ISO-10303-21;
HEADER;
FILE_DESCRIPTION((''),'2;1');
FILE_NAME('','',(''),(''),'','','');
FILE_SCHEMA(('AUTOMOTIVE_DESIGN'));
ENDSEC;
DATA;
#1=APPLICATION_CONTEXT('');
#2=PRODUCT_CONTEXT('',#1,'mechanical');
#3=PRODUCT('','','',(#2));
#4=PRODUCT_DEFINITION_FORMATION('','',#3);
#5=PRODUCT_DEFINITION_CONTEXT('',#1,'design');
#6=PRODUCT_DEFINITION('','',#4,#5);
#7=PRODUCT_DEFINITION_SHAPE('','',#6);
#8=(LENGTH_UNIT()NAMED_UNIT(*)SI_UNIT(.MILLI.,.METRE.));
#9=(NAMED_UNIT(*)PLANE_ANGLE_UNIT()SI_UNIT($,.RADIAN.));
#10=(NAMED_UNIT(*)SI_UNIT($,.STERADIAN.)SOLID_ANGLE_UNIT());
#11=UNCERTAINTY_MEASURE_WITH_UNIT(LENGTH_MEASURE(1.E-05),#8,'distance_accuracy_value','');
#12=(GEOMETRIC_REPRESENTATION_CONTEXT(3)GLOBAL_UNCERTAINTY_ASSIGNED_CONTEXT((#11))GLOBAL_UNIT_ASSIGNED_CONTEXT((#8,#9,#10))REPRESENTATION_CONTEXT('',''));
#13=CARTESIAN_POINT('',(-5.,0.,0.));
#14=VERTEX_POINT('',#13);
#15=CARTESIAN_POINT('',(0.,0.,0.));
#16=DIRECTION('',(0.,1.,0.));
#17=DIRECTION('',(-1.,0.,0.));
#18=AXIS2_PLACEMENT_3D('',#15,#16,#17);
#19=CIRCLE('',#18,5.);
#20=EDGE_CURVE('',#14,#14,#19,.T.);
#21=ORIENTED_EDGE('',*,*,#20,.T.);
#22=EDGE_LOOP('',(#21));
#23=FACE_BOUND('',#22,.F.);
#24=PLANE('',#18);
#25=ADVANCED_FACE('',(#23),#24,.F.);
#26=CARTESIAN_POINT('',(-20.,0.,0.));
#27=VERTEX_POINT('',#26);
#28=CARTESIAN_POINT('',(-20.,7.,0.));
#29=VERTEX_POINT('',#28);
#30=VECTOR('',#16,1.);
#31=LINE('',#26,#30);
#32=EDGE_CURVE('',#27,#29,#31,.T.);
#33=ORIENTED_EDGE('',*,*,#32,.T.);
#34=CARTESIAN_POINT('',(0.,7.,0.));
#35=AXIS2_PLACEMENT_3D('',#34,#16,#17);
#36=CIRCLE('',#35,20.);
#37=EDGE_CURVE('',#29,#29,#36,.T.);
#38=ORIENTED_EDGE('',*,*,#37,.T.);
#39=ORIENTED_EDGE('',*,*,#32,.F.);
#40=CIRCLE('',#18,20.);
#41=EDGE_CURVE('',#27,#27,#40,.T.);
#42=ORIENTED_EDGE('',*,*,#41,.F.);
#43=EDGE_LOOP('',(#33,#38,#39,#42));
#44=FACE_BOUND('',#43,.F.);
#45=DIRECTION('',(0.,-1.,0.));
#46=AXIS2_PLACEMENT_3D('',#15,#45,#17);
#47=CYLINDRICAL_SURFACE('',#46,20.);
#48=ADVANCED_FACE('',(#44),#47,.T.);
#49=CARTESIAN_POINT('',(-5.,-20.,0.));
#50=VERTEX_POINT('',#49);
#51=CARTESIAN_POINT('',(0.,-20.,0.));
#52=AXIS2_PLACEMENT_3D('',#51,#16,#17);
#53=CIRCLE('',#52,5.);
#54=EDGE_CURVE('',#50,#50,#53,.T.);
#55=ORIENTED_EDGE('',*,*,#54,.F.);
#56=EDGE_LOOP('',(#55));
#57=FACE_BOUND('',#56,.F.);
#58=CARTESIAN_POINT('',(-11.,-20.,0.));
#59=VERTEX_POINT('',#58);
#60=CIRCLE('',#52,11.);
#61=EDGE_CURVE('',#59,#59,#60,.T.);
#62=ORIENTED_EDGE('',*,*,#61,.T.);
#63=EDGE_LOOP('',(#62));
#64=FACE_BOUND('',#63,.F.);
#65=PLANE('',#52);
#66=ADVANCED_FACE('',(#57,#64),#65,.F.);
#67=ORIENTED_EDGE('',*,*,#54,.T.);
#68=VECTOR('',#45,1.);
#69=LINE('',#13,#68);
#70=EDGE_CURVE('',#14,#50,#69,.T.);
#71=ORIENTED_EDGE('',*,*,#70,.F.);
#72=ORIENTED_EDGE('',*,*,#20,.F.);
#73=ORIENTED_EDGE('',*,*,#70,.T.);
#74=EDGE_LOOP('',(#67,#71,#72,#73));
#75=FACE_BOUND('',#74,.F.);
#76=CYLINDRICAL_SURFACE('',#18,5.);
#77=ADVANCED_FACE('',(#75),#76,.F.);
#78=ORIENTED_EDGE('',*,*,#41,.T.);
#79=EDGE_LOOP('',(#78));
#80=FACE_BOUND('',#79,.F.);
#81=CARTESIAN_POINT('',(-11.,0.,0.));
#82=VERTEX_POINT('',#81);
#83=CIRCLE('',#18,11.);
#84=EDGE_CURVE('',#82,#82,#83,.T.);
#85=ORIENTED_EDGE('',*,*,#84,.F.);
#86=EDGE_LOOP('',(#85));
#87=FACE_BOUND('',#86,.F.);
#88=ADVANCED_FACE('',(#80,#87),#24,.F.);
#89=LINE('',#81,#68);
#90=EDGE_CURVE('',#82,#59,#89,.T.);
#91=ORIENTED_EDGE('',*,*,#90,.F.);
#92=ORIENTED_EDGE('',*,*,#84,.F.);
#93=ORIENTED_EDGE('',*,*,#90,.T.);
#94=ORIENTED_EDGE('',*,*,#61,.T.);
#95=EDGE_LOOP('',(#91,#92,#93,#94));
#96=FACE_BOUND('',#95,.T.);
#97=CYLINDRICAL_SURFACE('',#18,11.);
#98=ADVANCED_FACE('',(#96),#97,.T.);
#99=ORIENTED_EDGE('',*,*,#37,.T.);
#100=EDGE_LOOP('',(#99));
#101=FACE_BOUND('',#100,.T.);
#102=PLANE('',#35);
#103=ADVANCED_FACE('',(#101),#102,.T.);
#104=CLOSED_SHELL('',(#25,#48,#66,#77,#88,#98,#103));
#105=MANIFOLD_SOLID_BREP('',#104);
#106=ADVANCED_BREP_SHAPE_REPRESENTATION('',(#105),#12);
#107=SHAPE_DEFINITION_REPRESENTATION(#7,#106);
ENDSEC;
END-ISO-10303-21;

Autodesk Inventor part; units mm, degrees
ref_plane "YZ Plane" through (0, 0, 0) normal (1, 0, 0) x (0, 1, 0)
ref_plane "XZ Plane" through (0, 0, 0) normal (0, 1, 0) x (-1, 0, 0)
ref_plane "XY Plane" through (0, 0, 0) normal (0, 0, 1) x (1, 0, 0)
sketch "Sketch1" plane through (0, 0, 0) normal (0, 1, 0) x (-1, 0, 0)
  circle A0 centre (0, 0) radius 20
  circle A1 centre (0, 0) radius 11
  circle A2 centre (0, 0) radius 5
  dimension "d0" = 40
  dimension "d1" = 22
  dimension "d4" = 10
extrude "Extrusion1" add sketch "Sketch1" along normal blind 7 contours A0 | A1 | A2
extrude "Extrusion2" add sketch "Sketch1" against normal blind 20 contours A1
properties part number "11T-Sprocket"
